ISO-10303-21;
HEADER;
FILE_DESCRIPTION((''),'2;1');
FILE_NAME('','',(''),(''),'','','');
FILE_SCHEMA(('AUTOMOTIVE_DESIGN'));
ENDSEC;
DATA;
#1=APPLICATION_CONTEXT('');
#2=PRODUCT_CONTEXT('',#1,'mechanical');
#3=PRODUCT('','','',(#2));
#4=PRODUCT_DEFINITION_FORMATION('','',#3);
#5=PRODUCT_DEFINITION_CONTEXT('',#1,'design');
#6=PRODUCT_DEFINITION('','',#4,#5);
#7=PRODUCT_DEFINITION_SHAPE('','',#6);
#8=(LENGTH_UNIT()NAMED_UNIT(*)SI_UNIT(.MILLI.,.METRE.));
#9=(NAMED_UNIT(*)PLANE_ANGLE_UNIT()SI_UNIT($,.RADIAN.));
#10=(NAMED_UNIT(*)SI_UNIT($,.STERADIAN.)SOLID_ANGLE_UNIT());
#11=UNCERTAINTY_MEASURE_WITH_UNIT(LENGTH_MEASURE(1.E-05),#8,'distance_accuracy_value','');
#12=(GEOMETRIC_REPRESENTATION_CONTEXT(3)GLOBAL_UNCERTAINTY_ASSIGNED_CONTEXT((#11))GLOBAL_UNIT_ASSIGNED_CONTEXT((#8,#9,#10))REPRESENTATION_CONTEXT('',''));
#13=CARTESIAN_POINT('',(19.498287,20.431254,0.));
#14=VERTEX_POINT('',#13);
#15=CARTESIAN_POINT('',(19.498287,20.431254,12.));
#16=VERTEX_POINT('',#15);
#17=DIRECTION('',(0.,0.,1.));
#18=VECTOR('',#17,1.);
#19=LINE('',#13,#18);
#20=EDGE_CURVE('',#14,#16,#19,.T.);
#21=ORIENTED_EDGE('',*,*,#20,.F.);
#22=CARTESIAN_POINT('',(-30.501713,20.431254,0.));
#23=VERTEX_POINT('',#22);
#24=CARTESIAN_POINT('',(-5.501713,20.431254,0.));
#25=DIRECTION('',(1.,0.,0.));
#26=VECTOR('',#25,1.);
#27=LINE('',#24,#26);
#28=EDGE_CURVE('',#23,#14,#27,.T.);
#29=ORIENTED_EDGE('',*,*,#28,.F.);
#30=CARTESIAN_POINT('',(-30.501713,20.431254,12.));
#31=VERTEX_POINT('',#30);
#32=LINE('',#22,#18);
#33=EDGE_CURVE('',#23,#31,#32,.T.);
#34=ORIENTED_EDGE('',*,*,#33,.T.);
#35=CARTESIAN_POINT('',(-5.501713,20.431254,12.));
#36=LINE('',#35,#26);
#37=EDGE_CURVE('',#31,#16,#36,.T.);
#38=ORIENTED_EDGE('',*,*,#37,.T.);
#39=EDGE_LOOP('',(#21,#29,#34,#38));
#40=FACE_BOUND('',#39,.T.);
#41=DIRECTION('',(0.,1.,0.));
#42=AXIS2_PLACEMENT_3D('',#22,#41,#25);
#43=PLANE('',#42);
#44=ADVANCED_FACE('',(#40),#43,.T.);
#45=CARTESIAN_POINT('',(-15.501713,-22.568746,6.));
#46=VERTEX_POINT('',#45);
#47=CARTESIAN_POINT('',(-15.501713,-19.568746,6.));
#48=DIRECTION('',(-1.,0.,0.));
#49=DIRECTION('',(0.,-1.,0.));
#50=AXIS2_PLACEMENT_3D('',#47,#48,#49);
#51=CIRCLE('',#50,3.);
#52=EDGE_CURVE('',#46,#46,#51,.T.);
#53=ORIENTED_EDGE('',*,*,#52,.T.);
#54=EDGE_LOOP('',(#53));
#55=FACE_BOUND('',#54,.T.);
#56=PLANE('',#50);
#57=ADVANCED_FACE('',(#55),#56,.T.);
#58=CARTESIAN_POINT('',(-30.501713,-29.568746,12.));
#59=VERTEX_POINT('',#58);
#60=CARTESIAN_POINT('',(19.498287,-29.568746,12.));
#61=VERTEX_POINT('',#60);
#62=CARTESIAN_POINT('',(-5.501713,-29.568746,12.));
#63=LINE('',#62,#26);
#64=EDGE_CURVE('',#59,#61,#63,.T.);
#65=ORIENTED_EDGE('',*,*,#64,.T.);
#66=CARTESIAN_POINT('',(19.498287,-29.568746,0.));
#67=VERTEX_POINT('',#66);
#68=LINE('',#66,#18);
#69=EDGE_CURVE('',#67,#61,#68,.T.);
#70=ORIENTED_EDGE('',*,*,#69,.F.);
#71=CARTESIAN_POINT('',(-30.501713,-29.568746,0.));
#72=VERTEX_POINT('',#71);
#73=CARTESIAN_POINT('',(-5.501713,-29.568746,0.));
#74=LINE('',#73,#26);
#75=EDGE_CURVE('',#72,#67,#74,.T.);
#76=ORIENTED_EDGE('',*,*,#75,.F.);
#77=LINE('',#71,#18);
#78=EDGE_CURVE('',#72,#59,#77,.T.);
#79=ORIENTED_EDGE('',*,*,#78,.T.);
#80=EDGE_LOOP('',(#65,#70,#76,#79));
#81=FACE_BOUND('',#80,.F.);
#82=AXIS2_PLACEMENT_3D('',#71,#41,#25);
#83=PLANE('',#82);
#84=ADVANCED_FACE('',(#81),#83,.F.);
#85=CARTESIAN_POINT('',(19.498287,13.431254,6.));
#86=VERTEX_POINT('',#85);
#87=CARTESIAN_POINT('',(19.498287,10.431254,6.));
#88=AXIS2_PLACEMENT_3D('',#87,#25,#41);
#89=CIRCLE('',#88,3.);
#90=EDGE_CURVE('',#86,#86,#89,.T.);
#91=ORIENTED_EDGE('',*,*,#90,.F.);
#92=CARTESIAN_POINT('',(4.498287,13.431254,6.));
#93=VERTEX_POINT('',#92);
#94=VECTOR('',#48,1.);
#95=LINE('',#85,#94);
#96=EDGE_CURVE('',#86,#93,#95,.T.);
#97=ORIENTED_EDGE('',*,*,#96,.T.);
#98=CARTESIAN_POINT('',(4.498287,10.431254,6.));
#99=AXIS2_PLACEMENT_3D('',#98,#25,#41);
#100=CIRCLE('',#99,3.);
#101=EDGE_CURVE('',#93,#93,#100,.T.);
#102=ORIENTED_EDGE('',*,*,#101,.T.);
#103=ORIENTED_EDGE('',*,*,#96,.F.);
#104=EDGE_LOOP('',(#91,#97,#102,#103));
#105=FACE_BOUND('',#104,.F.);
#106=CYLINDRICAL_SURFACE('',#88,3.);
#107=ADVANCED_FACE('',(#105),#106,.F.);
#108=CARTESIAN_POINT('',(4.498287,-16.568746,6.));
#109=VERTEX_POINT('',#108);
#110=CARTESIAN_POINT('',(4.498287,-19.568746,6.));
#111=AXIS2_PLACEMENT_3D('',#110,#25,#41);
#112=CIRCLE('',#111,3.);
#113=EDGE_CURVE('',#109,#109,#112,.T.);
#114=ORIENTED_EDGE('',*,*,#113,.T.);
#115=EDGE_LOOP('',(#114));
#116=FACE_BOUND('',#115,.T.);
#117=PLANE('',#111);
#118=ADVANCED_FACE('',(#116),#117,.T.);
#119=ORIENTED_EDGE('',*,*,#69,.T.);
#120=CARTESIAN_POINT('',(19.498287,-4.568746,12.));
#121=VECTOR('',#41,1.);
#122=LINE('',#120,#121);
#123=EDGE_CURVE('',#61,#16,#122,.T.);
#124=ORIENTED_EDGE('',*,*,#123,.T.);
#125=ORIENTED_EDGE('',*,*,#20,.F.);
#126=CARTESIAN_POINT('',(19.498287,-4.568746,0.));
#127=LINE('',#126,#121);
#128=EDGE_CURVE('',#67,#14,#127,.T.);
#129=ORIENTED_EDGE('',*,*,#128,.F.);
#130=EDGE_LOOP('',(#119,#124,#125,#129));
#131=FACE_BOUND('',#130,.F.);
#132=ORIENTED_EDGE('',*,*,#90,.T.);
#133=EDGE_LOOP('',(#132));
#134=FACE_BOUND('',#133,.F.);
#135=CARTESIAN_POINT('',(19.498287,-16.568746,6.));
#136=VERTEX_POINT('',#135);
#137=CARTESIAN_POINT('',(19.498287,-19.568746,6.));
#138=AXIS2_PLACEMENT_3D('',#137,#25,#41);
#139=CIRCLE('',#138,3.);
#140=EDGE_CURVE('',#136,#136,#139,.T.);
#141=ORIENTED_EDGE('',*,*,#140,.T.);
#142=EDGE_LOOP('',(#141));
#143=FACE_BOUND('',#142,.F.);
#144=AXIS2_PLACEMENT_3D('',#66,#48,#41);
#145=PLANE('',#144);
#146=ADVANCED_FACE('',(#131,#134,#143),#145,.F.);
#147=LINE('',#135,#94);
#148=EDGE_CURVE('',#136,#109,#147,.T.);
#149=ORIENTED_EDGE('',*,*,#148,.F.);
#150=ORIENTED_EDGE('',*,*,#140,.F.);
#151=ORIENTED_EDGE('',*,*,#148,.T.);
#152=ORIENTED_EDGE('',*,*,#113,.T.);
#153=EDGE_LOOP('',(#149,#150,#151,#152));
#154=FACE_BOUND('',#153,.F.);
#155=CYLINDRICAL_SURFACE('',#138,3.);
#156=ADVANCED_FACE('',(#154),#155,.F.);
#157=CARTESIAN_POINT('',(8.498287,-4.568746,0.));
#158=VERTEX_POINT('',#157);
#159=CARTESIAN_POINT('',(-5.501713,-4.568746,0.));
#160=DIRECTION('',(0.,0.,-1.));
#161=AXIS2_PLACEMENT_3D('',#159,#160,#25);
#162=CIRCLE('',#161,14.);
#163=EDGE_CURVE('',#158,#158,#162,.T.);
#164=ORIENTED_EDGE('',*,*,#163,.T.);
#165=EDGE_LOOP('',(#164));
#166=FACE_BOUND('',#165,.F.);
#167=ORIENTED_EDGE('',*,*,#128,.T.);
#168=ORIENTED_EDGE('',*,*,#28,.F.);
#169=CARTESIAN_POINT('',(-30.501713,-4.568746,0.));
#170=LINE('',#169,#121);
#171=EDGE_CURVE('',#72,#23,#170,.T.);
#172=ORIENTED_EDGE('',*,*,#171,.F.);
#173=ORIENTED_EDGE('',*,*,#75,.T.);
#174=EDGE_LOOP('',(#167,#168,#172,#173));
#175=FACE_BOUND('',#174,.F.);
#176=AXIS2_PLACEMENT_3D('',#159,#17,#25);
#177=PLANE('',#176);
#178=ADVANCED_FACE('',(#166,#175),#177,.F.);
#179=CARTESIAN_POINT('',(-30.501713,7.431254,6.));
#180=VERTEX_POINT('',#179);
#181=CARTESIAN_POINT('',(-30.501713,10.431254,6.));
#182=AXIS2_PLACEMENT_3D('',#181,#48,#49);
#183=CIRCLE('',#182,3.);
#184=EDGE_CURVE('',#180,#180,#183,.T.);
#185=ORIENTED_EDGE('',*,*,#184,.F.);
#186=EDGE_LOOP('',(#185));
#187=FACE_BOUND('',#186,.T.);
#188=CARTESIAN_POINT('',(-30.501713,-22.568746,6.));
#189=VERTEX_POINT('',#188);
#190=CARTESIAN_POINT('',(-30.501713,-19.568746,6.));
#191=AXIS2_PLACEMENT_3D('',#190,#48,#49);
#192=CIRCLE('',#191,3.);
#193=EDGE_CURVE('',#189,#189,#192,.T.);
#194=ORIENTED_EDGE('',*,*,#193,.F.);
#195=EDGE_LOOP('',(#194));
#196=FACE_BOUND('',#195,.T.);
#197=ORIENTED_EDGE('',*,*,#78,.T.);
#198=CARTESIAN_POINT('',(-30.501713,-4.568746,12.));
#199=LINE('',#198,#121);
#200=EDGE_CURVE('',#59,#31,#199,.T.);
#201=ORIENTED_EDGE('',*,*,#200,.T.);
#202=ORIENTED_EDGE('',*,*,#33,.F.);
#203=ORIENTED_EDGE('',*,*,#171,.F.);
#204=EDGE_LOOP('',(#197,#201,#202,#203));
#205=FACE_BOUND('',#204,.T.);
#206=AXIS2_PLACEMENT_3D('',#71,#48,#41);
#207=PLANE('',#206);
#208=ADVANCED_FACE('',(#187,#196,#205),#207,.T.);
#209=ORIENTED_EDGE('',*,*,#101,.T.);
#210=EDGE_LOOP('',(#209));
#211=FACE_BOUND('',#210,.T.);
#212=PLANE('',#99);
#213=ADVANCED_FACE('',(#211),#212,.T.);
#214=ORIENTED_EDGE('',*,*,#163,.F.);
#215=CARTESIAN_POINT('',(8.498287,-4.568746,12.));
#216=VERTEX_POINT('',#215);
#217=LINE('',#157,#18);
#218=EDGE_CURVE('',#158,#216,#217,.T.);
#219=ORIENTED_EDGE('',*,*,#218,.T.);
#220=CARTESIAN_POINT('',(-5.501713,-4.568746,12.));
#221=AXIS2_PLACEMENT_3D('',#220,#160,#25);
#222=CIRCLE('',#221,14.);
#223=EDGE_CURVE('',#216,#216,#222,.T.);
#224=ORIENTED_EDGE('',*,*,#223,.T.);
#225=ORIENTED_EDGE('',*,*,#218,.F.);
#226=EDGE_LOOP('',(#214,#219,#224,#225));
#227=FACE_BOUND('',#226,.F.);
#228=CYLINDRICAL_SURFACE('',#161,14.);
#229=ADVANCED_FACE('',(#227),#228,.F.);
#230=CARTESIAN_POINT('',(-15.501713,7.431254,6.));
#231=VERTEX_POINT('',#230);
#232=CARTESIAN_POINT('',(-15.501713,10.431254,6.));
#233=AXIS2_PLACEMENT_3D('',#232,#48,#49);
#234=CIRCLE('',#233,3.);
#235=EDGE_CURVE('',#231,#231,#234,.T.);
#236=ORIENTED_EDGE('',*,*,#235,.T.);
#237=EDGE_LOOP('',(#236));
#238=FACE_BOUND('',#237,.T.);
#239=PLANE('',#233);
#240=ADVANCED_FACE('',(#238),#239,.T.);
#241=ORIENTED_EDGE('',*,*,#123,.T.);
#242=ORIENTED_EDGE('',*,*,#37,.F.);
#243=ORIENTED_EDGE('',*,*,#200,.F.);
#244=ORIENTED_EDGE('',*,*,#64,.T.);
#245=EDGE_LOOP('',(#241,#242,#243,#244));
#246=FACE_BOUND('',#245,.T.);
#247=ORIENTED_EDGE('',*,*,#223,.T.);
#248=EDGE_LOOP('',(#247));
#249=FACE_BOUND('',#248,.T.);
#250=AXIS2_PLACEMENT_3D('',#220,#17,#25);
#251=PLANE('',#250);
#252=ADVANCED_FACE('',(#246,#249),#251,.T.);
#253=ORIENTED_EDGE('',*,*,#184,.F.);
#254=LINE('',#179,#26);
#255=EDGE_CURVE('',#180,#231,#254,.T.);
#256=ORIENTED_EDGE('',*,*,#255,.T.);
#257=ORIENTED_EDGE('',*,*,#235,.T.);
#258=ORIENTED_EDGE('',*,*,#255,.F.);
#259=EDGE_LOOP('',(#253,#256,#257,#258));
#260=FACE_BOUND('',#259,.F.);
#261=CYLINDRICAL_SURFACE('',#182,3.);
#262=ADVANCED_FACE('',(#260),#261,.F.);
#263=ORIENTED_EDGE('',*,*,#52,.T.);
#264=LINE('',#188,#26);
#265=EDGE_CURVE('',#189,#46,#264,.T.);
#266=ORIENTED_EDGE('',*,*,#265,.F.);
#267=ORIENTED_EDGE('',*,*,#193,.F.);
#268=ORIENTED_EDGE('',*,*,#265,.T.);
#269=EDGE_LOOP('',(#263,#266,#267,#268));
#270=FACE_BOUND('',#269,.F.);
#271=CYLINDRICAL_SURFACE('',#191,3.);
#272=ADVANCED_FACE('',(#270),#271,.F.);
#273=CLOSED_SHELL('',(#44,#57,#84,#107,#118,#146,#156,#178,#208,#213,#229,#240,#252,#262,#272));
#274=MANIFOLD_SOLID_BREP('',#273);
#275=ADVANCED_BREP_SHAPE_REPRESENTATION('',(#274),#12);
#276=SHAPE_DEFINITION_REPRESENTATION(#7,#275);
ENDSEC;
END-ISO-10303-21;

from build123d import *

# Parameters (mm, degrees)
F0_W     = 50
F0_H     = 50
F1_DEPTH = 12
F2_R     = 3
F3_DEPTH = 15
F4_R     = 3
F5_DEPTH = 15
F6_R     = 14
F7_DEPTH = 12.001


with BuildPart() as f1:
    # F0 (on Top) → F1 (new body)
    with BuildSketch(Plane.XY):
        with Locations((-5.501713, -4.568746)):
            Rectangle(F0_W, F0_H)
    extrude(amount=F1_DEPTH)

    # F2 (on face) → F3 (cut)
    with BuildSketch(Plane(origin=(-30.501713, 0, 0), x_dir=(0, -1, 0), z_dir=(-1, 0, 0))):
        with Locations((-10.431254, 6)):
            Circle(F2_R)
        with Locations((19.568746, 6)):
            Circle(F2_R)
    extrude(amount=-F3_DEPTH, mode=Mode.SUBTRACT)

    # F4 (on face) → F5 (cut)
    with BuildSketch(Plane.YZ.offset(19.498287)):
        with Locations((10.431254, 6)):
            Circle(F4_R)
        with Locations((-19.568746, 6)):
            Circle(F4_R)
    extrude(amount=-F5_DEPTH, mode=Mode.SUBTRACT)

    # F6 (on face) → F7 (cut, through all)
    with BuildSketch(Plane(origin=(0, 0, 0), x_dir=(1, 0, 0), z_dir=(0, 0, -1))):
        with Locations((-5.501713, 4.568746)):
            Circle(F6_R)
    extrude(amount=-F7_DEPTH, mode=Mode.SUBTRACT)


solid = f1.part
